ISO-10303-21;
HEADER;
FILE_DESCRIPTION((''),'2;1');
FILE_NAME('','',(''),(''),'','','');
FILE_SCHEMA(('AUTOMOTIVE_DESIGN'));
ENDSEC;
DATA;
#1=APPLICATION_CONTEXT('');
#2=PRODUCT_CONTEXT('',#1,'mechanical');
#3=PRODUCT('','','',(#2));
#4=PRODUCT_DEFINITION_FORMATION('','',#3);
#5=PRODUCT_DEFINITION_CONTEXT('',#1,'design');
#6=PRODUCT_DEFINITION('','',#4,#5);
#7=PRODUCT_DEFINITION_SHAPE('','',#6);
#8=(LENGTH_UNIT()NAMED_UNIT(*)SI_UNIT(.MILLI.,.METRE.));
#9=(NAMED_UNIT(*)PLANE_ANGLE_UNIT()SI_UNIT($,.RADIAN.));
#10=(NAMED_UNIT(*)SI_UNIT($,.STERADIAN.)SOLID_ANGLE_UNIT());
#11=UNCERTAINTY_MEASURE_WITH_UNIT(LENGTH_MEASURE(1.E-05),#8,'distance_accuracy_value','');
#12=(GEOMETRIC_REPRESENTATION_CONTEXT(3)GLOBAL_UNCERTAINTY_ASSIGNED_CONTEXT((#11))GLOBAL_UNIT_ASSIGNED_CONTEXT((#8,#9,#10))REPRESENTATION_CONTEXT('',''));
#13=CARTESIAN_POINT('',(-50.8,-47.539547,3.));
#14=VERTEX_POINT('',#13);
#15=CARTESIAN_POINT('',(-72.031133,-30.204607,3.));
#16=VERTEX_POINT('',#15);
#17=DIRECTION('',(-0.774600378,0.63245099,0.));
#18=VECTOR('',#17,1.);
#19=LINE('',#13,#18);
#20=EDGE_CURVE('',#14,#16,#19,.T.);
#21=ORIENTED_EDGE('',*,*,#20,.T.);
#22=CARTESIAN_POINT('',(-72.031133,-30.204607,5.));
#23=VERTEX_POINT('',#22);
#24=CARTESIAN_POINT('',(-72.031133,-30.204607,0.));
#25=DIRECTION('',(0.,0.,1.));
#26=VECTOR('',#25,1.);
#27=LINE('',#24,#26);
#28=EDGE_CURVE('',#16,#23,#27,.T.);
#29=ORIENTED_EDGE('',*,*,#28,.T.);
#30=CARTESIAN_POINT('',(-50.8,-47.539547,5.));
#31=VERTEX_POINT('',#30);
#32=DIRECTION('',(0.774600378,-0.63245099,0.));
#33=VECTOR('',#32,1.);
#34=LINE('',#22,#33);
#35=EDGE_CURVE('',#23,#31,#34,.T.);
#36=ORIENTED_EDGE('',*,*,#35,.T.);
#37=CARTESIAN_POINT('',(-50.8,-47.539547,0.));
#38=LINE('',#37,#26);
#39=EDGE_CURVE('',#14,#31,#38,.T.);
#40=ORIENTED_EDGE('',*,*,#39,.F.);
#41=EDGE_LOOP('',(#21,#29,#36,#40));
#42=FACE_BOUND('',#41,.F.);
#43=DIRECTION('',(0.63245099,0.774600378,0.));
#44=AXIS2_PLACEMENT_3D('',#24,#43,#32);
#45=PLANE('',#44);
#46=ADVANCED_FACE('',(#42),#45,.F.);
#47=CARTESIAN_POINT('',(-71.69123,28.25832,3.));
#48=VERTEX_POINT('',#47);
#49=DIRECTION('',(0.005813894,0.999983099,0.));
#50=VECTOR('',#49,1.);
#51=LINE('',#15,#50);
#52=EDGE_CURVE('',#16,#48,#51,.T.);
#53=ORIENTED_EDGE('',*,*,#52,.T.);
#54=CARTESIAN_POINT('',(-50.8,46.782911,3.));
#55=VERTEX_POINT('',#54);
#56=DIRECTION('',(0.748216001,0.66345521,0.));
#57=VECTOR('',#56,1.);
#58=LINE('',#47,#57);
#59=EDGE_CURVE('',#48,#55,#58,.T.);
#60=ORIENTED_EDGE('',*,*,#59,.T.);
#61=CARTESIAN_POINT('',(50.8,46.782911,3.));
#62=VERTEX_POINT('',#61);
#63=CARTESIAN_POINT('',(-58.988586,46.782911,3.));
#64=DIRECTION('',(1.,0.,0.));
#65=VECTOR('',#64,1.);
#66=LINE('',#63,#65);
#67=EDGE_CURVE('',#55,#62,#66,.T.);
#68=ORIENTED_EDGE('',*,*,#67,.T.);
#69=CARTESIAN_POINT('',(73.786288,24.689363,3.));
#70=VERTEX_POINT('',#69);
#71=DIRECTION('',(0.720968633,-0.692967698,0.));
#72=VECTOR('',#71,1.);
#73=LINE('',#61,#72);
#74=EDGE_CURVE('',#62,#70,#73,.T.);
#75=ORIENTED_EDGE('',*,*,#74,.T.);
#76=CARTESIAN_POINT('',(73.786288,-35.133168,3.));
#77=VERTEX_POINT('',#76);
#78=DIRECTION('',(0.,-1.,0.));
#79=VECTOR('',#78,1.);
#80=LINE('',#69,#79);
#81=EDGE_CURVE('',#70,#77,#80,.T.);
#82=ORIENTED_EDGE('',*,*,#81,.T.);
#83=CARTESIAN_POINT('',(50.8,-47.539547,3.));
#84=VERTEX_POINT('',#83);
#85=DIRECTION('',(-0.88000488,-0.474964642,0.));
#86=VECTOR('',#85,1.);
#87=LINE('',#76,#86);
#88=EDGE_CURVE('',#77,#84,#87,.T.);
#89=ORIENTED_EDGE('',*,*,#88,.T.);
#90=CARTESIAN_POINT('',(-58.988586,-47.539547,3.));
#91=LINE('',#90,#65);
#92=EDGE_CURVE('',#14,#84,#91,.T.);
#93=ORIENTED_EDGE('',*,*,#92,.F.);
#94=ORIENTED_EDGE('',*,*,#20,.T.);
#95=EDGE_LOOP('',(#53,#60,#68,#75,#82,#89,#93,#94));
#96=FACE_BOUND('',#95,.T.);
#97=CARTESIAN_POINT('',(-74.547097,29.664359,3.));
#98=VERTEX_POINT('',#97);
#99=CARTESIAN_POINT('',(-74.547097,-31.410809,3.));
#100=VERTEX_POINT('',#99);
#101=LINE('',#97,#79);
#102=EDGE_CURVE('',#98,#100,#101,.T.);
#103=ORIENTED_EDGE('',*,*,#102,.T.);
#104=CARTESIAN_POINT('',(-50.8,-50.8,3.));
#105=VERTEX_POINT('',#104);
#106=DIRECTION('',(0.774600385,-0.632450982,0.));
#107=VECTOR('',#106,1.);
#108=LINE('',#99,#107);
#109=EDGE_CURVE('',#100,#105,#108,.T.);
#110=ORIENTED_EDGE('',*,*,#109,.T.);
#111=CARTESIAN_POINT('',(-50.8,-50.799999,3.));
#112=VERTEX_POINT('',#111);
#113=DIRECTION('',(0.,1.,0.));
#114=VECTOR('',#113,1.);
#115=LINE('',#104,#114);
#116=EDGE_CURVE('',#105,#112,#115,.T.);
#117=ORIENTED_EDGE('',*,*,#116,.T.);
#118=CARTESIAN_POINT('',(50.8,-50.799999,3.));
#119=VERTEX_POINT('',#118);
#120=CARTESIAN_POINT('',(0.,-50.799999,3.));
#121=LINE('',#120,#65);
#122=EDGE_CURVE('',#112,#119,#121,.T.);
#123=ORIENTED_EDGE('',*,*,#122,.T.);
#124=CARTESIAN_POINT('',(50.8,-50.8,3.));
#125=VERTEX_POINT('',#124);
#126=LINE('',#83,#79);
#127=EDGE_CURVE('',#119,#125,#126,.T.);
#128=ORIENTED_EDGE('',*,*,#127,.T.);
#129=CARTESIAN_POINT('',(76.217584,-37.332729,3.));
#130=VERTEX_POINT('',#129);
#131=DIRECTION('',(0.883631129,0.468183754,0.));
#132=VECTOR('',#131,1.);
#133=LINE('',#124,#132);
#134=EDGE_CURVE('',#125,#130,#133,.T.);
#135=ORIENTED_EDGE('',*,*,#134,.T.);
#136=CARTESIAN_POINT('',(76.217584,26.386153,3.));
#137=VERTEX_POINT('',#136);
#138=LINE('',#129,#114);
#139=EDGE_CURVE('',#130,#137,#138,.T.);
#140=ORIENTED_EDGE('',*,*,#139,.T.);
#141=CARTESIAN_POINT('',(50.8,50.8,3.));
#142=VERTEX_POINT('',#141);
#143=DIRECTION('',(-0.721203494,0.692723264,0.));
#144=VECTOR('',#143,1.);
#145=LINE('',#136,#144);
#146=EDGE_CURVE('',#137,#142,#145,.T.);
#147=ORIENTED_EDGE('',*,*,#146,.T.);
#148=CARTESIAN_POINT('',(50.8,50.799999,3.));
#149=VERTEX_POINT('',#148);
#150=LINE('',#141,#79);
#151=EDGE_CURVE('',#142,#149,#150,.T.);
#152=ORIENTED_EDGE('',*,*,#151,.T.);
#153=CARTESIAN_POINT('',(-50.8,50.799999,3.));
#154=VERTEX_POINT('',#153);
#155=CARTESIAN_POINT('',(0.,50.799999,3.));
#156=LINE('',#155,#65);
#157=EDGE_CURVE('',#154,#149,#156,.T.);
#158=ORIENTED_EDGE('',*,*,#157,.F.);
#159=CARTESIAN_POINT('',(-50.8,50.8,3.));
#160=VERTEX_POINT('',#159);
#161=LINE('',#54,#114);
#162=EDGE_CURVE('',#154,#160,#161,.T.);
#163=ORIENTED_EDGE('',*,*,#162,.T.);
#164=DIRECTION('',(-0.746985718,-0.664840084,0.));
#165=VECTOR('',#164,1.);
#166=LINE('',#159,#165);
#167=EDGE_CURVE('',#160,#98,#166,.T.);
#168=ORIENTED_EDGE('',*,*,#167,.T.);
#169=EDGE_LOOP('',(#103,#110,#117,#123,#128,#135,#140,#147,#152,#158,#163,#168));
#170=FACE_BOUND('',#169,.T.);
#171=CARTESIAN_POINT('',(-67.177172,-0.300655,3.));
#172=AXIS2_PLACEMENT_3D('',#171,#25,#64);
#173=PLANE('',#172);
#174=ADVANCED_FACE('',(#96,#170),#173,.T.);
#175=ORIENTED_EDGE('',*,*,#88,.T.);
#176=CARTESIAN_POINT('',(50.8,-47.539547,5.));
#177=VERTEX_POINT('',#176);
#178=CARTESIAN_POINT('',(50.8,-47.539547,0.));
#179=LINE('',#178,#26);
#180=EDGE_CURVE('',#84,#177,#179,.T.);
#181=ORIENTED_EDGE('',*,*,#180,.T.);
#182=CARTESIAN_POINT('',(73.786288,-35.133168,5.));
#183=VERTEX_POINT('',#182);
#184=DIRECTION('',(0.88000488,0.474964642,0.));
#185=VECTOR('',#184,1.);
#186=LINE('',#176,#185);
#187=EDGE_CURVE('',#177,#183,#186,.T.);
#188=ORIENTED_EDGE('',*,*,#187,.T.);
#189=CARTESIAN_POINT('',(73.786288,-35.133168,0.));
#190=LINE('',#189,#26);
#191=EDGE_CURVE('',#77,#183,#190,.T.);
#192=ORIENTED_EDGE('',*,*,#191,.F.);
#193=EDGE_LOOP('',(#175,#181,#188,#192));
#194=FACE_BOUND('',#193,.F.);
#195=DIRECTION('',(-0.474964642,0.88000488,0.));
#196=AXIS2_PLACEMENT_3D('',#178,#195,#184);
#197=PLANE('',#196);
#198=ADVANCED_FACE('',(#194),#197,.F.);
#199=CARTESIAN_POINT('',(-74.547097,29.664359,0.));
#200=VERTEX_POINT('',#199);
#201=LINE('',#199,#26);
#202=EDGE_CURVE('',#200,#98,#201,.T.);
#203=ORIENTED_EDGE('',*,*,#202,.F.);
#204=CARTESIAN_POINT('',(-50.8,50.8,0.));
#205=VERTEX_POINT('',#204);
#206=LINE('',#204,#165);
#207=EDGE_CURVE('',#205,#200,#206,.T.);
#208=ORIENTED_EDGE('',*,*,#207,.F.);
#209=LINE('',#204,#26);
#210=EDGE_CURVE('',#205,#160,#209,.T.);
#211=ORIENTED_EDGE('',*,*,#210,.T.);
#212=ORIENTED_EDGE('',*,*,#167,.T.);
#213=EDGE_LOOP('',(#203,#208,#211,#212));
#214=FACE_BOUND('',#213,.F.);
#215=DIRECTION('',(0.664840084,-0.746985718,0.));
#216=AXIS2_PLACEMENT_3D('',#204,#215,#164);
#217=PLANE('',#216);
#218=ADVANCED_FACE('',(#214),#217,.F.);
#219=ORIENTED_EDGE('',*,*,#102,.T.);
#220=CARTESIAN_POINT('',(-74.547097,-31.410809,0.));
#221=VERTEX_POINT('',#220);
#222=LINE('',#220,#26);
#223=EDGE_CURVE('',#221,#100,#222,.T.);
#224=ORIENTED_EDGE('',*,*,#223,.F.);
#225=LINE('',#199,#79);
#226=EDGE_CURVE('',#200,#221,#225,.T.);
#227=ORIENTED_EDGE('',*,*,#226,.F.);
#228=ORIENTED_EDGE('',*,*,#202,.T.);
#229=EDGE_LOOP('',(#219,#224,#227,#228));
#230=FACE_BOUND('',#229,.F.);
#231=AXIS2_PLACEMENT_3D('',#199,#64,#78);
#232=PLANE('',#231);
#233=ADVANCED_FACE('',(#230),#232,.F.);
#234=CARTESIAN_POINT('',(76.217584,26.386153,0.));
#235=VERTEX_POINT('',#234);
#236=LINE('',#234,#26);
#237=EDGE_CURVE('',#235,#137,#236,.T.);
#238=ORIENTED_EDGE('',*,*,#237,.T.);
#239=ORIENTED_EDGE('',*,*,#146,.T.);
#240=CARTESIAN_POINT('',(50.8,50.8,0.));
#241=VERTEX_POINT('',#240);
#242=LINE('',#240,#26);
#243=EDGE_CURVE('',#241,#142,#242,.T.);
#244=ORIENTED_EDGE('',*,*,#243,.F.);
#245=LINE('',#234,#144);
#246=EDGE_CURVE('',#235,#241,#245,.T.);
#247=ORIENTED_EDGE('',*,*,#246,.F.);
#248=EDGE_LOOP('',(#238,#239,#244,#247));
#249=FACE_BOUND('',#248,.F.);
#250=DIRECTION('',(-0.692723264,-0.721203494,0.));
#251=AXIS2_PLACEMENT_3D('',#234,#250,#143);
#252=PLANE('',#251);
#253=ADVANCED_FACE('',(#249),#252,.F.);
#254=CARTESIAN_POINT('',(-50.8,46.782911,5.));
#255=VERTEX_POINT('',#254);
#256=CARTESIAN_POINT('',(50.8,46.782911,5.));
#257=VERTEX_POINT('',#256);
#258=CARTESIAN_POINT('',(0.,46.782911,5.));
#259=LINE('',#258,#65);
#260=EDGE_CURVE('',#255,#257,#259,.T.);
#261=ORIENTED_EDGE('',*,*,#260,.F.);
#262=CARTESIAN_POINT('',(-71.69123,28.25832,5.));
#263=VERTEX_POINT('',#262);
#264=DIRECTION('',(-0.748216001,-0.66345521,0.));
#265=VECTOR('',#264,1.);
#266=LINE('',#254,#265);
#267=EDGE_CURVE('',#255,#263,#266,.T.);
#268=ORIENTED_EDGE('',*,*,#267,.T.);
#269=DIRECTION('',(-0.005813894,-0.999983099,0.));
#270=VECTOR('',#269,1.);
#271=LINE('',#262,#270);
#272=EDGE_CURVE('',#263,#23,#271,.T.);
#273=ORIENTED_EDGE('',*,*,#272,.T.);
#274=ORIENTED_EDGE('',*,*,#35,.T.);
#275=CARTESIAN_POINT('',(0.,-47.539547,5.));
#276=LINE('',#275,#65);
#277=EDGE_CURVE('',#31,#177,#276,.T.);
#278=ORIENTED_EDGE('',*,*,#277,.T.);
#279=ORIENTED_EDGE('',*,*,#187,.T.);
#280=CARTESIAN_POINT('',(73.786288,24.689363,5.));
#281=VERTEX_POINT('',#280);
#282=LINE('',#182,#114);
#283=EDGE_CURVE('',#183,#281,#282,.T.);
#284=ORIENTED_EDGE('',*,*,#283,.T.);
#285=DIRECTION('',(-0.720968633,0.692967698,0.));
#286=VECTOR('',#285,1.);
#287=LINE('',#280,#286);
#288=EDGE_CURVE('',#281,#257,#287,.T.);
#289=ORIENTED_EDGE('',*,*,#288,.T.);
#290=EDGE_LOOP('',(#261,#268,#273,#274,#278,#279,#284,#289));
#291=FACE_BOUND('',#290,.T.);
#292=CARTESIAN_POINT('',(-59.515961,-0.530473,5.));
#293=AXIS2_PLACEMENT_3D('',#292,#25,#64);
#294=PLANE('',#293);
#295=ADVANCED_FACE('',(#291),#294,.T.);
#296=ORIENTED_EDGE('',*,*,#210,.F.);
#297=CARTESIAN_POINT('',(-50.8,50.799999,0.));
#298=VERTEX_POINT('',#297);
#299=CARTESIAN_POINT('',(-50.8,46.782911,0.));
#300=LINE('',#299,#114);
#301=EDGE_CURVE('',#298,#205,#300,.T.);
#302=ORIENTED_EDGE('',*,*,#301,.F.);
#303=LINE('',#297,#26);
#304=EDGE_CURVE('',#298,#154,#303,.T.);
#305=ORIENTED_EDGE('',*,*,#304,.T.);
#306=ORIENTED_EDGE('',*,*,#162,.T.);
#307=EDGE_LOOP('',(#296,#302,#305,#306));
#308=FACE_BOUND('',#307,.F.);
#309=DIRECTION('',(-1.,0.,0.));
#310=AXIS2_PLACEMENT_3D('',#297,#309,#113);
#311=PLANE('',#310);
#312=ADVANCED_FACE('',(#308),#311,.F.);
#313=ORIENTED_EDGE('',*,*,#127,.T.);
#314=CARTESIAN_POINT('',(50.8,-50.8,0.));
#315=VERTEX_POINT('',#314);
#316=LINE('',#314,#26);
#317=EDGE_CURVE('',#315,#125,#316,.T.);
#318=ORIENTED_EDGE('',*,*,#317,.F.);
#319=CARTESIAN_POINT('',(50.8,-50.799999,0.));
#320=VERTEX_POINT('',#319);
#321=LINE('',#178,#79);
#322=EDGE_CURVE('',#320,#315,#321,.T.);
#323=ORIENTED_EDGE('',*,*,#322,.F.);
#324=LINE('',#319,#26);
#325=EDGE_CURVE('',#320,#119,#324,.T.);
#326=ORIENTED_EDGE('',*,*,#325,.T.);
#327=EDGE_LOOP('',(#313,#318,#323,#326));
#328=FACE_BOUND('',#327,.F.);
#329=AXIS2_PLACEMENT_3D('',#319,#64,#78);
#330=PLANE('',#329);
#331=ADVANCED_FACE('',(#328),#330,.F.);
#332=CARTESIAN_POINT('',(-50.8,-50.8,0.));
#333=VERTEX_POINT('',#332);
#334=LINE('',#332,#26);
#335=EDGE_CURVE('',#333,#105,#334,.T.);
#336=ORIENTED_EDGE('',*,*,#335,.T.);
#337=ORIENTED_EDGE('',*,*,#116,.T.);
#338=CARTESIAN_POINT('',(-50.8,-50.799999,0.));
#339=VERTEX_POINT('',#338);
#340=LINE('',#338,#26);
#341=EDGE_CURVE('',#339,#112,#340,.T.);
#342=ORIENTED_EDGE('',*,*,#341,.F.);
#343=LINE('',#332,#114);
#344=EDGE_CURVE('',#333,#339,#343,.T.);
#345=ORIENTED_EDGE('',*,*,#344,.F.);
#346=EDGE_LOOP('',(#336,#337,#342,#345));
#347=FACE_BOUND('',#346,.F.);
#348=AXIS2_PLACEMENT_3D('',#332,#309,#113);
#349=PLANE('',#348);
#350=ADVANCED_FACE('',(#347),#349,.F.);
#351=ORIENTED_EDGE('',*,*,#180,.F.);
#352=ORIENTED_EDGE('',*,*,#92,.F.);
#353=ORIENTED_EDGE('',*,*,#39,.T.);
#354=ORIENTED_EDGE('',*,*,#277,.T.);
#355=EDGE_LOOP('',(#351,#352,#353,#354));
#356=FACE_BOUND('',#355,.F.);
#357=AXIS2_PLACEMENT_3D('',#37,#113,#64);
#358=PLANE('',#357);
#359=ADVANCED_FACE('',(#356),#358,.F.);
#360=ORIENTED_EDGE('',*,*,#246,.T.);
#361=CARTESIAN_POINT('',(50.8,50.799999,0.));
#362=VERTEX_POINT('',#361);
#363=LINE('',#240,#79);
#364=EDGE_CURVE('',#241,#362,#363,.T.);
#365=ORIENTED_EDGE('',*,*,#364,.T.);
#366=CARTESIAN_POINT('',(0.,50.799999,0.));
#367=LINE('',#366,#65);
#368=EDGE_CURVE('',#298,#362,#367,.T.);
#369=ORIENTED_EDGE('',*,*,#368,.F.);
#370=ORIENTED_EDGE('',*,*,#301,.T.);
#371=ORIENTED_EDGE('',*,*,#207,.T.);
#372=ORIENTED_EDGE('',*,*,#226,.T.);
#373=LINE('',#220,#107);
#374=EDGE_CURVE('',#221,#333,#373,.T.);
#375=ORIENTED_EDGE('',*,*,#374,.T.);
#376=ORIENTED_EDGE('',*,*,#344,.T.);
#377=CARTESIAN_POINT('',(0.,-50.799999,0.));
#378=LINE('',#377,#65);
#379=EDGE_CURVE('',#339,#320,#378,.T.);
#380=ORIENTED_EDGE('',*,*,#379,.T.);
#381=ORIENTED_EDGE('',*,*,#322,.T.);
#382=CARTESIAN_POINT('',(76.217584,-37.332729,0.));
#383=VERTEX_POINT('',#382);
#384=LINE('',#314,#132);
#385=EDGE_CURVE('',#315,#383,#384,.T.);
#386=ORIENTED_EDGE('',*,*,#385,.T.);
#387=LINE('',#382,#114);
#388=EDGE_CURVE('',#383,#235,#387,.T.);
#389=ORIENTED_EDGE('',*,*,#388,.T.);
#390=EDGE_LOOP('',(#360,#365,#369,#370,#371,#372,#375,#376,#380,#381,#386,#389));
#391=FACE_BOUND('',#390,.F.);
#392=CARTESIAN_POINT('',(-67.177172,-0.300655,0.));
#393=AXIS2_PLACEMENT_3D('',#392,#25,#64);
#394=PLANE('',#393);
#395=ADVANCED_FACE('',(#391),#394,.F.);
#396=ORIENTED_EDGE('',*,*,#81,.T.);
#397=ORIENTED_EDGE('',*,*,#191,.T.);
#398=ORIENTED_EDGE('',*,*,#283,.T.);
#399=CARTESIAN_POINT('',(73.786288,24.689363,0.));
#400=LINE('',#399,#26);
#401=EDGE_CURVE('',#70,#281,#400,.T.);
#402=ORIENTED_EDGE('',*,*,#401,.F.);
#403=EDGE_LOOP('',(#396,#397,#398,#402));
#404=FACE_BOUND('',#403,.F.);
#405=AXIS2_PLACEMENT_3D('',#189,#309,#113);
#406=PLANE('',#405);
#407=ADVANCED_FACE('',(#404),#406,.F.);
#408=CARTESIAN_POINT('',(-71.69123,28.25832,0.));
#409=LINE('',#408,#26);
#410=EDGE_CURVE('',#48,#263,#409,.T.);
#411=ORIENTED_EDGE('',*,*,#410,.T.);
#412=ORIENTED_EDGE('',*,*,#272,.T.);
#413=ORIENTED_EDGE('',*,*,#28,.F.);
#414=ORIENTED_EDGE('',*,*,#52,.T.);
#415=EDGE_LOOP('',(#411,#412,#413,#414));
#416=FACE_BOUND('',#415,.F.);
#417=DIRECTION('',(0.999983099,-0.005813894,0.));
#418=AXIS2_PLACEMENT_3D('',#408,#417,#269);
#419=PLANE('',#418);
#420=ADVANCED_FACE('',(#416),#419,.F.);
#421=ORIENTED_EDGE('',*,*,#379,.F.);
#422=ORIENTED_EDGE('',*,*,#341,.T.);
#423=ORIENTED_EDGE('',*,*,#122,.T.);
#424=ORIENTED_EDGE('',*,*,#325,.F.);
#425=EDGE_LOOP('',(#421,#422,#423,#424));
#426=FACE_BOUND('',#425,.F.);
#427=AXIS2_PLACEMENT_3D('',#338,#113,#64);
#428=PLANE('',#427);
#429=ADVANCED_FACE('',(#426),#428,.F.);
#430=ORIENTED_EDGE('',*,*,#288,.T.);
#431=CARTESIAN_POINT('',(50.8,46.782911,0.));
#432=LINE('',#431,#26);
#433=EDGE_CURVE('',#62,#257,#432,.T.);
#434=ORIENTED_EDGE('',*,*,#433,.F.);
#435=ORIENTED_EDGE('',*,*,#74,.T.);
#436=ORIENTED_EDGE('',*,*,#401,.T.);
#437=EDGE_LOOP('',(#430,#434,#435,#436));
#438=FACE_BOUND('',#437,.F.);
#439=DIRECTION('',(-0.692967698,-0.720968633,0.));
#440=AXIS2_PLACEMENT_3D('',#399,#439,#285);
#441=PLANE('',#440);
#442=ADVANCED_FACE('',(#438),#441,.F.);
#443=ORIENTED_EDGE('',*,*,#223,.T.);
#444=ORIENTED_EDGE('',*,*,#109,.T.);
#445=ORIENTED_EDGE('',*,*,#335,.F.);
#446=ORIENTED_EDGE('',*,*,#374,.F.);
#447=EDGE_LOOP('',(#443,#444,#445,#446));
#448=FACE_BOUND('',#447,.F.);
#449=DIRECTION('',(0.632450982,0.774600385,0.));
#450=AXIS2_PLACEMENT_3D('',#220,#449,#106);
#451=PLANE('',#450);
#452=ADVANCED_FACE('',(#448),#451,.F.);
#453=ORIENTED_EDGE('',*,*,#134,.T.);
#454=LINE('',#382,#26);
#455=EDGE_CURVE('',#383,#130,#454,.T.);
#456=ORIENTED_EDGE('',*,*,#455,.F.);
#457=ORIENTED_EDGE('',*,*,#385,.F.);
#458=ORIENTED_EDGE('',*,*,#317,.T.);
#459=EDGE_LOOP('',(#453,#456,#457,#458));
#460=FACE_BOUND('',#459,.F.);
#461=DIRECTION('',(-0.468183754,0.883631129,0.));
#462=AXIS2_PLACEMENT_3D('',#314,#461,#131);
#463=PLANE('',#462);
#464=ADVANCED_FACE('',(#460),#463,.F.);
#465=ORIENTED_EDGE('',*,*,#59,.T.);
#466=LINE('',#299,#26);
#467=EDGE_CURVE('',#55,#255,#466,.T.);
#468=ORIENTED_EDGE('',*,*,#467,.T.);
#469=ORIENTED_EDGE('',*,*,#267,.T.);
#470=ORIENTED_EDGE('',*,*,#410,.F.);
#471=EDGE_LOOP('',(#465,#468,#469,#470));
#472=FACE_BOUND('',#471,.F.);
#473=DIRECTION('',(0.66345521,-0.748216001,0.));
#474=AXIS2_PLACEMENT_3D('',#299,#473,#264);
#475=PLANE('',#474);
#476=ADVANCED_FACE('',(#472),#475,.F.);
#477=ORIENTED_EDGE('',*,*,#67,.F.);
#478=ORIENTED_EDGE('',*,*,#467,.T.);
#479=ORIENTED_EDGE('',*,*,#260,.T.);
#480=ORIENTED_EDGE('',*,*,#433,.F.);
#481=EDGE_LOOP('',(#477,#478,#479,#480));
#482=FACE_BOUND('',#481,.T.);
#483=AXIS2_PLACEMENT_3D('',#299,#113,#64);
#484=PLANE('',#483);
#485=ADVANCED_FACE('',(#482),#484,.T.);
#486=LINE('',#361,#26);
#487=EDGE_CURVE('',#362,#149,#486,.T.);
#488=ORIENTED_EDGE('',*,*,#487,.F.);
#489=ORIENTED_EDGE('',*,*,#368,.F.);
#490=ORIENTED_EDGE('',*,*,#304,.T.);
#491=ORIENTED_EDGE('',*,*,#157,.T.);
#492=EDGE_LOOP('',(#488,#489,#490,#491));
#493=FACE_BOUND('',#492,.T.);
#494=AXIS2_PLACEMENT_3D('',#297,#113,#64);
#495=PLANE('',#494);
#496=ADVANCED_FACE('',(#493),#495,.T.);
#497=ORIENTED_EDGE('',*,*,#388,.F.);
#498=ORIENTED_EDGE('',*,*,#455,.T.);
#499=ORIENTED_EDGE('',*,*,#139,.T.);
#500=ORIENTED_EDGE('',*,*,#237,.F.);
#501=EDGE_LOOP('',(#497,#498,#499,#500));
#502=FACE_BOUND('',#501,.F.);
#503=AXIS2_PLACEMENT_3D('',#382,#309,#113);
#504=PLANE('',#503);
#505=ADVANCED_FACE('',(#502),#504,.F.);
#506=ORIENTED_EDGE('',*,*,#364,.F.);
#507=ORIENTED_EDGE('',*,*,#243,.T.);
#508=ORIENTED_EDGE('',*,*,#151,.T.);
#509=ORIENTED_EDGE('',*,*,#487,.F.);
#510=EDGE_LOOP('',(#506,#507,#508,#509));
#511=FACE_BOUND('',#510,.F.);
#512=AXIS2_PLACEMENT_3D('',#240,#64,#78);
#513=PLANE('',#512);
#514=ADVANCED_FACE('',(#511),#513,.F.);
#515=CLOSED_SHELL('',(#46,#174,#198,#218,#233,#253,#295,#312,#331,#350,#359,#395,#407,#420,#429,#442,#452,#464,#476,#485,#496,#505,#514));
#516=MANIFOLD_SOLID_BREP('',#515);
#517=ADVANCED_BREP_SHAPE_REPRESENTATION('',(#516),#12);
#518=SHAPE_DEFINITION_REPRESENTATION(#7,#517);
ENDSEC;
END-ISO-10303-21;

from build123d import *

# Parameters (mm, degrees)
F0_W     = 101.6
F0_H     = 94.322458
F1_DEPTH = 5
F0_H_2   = 4.017089
F0_H_3   = 3.260453
F2_DEPTH = 3


with BuildPart() as f1:
    # F0 (on Top) → F1 (new body)
    with BuildSketch(Plane.XY):
        Polygon((-50.8, -47.539547), (-50.8, 46.782911), (-71.69123, 28.25832), (-72.031133, -30.204607), align=None)
        with Locations((0, -0.378318)):
            Rectangle(F0_W, F0_H)
        Polygon((73.786288, 24.689363), (50.8, 46.782911), (50.8, -47.539547), (73.786288, -35.133168), align=None)
    extrude(amount=F1_DEPTH)

    # F0 (on Top) → F2 (join)
    with BuildSketch(Plane.XY):
        Polygon((-50.8, 46.782911), (-50.8, 50.8), (-74.547097, 29.664359), (-74.547097, -31.410809), (-50.8, -50.8), (-50.8, -47.539547), (-72.031133, -30.204607), (-71.69123, 28.25832), align=None)
        with Locations((0, 48.791455)):
            Rectangle(F0_W, F0_H_2)
        Polygon((76.217584, 26.386153), (50.8, 50.8), (50.8, 46.782911), (73.786288, 24.689363), (73.786288, -35.133168), (50.8, -47.539547), (50.8, -50.8), (76.217584, -37.332729), align=None)
        with Locations((0, -49.169773)):
            Rectangle(F0_W, F0_H_3)
    extrude(amount=F2_DEPTH)


solid = f1.part
